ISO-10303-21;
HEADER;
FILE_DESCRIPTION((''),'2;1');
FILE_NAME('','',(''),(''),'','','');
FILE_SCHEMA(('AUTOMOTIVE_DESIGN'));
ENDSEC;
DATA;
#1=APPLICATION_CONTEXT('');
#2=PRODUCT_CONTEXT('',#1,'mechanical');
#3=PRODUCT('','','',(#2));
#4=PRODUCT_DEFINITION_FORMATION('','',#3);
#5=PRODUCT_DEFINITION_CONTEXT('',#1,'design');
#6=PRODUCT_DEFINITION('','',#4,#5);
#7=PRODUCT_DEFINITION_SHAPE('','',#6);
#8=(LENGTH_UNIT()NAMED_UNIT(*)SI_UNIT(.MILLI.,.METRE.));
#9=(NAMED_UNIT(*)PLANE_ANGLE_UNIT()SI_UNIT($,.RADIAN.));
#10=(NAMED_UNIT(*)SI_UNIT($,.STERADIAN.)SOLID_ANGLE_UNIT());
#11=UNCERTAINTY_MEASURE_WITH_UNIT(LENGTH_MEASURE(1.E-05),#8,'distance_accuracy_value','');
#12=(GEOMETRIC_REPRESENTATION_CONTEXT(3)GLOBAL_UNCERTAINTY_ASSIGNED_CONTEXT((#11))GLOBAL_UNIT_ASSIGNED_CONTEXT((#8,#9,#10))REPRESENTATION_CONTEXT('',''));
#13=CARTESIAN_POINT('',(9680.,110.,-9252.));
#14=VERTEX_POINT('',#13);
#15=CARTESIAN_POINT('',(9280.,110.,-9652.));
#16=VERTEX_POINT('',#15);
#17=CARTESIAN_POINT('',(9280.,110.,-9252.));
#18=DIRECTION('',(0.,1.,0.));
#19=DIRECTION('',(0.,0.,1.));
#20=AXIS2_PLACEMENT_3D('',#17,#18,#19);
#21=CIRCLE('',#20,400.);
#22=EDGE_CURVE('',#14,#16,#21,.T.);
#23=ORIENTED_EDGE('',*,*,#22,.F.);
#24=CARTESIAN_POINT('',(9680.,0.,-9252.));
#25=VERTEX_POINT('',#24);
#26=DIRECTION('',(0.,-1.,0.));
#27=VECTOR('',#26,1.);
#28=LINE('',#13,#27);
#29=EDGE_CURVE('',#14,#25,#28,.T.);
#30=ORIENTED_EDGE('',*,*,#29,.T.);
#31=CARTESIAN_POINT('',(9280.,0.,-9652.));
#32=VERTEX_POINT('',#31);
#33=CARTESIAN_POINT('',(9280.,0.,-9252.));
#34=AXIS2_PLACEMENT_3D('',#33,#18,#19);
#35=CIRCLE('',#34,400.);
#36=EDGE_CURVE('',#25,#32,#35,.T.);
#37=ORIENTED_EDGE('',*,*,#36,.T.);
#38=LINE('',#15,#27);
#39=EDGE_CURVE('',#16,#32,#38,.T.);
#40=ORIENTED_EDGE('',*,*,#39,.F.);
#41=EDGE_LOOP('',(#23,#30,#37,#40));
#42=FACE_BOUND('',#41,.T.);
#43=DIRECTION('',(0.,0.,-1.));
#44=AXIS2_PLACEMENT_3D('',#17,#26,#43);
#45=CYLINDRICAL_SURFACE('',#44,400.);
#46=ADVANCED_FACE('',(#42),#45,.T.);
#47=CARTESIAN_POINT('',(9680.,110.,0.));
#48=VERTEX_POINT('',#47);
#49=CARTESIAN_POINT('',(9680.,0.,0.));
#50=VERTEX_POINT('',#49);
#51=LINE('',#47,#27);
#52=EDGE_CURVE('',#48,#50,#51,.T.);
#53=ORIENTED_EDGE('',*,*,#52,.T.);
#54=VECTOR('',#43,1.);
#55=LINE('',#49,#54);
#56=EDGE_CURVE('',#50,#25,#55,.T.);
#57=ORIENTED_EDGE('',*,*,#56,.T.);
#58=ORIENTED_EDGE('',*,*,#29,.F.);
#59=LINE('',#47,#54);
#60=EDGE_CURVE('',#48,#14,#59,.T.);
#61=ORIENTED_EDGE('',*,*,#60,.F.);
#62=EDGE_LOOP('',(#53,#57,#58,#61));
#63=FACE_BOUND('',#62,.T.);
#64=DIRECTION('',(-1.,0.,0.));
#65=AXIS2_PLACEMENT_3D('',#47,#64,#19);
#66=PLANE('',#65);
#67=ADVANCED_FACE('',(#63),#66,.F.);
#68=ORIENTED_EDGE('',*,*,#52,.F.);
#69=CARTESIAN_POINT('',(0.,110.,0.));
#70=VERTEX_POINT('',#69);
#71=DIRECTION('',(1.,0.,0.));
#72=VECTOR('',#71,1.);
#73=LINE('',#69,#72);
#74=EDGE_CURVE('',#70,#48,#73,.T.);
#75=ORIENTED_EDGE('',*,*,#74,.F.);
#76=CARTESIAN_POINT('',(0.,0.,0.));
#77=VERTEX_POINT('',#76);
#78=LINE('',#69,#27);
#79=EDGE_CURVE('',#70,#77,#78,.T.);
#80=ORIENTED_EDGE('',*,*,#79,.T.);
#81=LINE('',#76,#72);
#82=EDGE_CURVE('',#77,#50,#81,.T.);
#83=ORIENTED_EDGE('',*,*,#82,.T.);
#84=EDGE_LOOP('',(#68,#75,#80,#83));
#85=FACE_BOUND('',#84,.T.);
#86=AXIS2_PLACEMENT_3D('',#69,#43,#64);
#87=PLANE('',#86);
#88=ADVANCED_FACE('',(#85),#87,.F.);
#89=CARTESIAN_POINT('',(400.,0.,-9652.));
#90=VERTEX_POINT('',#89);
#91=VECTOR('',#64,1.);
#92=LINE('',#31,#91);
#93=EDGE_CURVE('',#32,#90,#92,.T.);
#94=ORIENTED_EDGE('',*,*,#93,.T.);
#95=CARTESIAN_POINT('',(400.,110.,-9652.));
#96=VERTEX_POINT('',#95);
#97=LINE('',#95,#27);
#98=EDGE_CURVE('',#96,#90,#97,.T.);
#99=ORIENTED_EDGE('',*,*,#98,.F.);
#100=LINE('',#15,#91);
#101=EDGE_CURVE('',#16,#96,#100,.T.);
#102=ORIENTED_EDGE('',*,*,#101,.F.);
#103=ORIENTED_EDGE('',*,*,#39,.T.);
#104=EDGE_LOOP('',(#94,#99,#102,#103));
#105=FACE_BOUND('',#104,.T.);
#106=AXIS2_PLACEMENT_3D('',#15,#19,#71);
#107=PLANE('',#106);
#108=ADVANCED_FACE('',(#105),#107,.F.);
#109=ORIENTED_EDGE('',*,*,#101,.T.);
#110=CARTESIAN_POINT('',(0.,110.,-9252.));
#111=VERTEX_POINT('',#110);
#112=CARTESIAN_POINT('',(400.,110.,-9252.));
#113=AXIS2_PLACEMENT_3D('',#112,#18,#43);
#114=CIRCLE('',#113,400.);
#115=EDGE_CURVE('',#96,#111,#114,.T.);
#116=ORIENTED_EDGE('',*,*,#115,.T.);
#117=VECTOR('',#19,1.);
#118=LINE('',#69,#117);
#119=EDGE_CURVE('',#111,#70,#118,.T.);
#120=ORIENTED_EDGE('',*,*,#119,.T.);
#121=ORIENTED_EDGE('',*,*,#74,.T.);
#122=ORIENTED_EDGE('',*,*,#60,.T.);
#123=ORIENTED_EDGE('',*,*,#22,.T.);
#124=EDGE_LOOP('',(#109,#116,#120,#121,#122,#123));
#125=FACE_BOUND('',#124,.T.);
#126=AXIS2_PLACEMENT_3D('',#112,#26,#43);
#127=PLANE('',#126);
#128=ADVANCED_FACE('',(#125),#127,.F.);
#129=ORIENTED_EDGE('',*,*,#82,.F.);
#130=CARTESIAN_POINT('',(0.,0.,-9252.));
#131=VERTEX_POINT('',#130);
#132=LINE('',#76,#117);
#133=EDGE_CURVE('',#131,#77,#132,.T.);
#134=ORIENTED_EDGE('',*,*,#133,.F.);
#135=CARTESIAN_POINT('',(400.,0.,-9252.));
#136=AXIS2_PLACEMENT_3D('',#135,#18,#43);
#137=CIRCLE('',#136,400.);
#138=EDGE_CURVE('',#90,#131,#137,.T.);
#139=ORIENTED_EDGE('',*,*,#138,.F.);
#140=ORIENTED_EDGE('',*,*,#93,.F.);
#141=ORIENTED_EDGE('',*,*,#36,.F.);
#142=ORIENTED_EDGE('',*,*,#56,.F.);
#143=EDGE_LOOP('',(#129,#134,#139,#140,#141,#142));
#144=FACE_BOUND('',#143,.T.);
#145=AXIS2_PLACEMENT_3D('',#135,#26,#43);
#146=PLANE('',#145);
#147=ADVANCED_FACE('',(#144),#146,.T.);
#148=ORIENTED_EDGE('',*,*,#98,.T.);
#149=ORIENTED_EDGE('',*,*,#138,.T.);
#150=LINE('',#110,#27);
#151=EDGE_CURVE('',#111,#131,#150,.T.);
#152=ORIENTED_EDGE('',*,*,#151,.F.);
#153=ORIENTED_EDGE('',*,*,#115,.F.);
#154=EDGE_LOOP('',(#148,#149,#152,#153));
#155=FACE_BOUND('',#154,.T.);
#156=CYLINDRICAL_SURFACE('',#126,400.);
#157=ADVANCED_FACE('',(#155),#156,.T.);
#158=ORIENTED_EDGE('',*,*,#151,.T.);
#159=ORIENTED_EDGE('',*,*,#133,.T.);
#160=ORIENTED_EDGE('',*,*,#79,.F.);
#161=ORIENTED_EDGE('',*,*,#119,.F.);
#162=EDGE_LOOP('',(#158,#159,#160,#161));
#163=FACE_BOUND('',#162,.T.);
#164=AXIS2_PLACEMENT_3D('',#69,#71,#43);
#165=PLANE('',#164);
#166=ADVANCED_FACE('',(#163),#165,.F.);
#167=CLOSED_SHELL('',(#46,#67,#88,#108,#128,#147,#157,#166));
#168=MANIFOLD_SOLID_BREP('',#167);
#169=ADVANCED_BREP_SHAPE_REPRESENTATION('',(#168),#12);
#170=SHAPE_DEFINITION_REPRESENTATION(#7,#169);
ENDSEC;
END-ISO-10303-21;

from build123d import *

# Parameters (mm, degrees)
BOSS_EXTRUDE1_DEPTH = 110


with BuildPart() as part:
    # Sketch1 → Boss-Extrude1 (new body)
    with BuildSketch(Plane(origin=(0, 0, 0), x_dir=(1, 0, 0), z_dir=(0, 1, 0))):
        with BuildLine():
            Line((0, 0), (9680, 0))
            Line((9680, 0), (9680, 9252))
            ThreePointArc((9680, 9252), (9562.842712475, 9534.842712475), (9280, 9652))
            Line((9280, 9652), (400, 9652))
            ThreePointArc((400, 9652), (117.157287525, 9534.842712475), (0, 9252))
            Line((0, 9252), (0, 0))
        make_face()
    extrude(amount=BOSS_EXTRUDE1_DEPTH)


solid = part.part
